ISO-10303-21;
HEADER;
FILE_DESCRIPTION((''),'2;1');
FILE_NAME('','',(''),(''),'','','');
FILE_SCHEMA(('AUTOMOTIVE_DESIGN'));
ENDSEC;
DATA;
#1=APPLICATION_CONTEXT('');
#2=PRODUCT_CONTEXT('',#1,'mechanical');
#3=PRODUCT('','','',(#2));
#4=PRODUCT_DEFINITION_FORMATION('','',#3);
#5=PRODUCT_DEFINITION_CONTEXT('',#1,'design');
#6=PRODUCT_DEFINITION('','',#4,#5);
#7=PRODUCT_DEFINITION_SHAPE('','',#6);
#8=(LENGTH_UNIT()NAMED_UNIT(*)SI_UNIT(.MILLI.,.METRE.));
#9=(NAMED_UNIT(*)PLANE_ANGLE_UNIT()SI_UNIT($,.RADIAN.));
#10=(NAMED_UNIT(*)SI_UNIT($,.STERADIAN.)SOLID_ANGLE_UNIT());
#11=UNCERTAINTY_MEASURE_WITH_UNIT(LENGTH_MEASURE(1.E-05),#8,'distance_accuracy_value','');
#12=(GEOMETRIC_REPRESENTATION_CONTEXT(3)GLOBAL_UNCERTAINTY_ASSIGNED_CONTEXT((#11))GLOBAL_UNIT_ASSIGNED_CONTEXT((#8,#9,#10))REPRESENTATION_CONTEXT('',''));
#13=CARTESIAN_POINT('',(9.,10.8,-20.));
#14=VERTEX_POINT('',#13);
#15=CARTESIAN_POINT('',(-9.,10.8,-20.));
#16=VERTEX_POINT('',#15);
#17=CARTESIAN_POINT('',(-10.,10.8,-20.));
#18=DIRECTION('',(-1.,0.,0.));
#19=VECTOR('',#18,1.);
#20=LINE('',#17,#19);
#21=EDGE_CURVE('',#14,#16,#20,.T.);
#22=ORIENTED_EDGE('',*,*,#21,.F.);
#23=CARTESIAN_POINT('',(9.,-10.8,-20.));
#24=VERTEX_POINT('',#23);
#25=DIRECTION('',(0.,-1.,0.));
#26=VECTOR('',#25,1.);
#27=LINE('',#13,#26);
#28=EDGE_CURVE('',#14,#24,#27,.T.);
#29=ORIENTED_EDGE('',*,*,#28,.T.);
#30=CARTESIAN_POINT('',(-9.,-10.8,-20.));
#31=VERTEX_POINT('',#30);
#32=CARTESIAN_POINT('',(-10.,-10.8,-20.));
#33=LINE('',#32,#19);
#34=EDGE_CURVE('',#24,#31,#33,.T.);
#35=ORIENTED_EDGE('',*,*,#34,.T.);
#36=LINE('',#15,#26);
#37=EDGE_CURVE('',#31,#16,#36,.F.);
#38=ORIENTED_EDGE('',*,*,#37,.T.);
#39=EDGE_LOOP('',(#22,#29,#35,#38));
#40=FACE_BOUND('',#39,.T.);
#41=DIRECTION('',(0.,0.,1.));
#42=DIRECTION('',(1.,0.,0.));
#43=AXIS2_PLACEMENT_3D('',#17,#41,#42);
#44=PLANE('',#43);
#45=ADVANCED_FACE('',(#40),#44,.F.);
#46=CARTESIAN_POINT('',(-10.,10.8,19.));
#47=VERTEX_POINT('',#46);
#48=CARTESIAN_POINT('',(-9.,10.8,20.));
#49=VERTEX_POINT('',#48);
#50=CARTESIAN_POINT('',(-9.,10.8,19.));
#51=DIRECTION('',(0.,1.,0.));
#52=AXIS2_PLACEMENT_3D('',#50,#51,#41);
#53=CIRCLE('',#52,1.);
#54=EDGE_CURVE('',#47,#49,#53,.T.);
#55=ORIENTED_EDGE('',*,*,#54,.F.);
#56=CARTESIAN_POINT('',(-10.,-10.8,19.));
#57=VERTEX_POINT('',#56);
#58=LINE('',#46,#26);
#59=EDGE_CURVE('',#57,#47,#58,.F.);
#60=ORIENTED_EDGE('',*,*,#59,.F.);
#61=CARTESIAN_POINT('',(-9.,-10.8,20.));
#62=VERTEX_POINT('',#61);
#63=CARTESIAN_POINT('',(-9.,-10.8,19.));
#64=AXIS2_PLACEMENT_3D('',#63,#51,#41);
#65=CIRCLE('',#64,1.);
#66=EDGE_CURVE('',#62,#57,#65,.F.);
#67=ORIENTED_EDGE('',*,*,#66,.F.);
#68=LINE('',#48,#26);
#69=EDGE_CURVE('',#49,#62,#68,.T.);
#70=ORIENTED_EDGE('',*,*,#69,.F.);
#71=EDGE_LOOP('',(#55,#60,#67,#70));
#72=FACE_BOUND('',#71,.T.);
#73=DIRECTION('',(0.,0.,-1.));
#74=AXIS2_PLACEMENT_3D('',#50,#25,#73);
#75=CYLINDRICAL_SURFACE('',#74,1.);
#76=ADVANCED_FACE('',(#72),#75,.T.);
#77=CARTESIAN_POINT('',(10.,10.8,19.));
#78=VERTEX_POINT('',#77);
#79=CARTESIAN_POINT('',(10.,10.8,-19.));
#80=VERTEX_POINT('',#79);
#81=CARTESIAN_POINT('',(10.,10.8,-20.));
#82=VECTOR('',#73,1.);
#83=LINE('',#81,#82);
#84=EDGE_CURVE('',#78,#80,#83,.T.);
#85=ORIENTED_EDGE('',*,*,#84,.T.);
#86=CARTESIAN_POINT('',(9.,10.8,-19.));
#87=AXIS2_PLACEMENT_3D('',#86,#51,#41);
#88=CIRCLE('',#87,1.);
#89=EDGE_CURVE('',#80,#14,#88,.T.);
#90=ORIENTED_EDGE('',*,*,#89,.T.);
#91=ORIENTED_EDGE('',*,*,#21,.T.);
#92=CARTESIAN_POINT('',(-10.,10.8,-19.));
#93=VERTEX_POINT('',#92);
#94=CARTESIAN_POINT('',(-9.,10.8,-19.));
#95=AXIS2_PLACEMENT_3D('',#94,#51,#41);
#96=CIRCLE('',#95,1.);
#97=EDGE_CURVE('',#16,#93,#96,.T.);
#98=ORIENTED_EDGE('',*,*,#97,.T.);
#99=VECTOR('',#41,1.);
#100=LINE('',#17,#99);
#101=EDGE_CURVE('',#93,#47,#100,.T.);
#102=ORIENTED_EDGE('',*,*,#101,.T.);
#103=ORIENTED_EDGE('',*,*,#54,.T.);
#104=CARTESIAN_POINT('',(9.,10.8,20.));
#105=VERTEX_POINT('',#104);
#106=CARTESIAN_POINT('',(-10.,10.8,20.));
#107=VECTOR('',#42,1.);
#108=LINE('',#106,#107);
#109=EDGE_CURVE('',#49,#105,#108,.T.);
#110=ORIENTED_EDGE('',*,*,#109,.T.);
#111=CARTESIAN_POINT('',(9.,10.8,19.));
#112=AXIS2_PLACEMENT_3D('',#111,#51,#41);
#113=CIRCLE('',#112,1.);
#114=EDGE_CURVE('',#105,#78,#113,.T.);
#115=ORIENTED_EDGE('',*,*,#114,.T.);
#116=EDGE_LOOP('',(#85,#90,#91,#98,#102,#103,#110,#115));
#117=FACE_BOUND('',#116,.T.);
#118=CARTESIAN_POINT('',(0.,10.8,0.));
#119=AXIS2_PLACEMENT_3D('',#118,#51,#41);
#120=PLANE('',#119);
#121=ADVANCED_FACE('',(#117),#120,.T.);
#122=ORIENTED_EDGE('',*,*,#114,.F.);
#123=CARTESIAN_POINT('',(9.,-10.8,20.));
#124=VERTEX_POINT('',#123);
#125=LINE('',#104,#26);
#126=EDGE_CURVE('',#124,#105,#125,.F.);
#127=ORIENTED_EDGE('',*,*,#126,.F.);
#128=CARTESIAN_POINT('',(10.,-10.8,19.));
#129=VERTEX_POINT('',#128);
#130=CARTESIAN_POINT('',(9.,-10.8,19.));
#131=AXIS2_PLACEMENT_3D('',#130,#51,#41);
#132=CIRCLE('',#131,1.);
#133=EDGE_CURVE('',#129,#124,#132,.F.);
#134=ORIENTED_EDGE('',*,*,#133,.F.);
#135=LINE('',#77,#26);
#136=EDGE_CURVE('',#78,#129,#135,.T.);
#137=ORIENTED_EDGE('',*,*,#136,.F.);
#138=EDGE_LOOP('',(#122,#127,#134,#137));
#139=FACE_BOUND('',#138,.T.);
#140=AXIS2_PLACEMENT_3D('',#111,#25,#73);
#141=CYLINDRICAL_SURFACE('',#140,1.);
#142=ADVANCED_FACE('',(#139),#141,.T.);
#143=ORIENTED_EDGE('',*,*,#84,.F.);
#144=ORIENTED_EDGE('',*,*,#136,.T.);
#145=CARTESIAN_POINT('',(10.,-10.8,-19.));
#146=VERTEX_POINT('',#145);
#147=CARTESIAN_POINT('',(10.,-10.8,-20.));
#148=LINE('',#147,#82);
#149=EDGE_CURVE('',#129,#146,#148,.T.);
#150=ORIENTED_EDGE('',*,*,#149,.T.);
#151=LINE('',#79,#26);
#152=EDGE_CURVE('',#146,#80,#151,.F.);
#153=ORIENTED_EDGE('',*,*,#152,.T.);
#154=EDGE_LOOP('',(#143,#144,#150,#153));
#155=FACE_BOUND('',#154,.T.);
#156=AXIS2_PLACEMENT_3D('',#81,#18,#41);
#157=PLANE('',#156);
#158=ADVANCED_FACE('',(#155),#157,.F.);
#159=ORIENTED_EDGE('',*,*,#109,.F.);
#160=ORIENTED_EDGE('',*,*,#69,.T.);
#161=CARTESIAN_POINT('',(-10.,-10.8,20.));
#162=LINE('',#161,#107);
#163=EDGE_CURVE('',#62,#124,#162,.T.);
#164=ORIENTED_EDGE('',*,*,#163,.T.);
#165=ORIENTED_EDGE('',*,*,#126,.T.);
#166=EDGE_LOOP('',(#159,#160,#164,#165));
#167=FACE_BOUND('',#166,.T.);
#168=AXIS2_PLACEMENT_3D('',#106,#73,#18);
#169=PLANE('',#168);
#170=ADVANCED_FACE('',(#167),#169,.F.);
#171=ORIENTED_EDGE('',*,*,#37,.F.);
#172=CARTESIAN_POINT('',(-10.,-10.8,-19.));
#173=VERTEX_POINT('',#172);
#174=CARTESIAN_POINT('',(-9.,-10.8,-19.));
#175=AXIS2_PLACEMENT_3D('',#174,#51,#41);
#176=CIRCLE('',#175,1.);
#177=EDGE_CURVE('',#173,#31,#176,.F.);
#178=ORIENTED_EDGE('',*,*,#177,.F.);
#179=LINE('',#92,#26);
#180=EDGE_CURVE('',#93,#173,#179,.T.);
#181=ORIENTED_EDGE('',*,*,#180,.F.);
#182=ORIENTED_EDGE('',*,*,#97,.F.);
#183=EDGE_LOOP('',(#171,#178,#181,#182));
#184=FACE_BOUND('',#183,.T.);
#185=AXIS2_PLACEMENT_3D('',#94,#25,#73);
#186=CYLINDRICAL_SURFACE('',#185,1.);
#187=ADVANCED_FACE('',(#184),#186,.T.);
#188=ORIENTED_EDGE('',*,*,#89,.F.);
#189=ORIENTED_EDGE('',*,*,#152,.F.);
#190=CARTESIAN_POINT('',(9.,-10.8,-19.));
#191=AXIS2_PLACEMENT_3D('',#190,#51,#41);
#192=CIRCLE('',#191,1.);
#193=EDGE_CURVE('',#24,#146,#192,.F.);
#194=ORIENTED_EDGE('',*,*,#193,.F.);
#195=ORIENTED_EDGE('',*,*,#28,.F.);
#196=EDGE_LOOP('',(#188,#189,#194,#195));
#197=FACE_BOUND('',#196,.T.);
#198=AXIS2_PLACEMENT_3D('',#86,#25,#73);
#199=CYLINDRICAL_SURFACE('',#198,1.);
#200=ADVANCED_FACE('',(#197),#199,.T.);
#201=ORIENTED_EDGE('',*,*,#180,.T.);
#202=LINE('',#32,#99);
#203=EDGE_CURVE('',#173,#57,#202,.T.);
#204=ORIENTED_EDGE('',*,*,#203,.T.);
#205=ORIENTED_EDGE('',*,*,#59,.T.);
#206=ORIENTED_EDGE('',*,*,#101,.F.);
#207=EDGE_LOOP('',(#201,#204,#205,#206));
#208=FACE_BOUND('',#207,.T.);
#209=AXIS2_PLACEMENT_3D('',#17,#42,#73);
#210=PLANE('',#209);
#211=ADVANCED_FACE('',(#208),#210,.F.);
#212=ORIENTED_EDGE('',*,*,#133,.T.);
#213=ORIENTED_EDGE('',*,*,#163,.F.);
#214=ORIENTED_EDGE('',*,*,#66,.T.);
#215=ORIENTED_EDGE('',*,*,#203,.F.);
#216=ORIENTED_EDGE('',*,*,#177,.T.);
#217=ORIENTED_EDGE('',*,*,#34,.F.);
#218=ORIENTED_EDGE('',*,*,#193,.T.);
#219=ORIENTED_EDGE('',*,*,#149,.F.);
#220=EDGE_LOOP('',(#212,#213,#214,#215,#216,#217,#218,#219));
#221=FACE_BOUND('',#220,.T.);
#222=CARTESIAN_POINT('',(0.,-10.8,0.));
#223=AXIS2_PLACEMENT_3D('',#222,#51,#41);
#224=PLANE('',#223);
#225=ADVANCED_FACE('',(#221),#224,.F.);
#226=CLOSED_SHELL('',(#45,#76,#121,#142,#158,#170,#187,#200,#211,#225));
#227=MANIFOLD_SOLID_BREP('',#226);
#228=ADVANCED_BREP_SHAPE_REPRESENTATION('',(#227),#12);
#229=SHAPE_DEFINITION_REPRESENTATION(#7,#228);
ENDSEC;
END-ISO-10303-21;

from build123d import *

# Parameters (mm, degrees)
SKETCH1_W           = 20
SKETCH1_H           = 40
BOSS_EXTRUDE1_DEPTH = 10.8
FILLET1_R           = 1


with BuildPart() as part:
    # Sketch1 → Boss-Extrude1 (new, symmetric)
    with BuildSketch(Plane(origin=(0, 0, 0), x_dir=(1, 0, 0), z_dir=(0, 1, 0))):
        Rectangle(SKETCH1_W, SKETCH1_H)
    extrude(amount=BOSS_EXTRUDE1_DEPTH, both=True)

    # Fillet1
    fillet1_edges = [part.edges().sort_by_distance(p)[0] for p in [
        (10, 0, 20),
        (-10, 0, 20),
        (-10, 0, -20),
        (10, 0, -20),
    ]]
    fillet(fillet1_edges, radius=FILLET1_R)


solid = part.part
